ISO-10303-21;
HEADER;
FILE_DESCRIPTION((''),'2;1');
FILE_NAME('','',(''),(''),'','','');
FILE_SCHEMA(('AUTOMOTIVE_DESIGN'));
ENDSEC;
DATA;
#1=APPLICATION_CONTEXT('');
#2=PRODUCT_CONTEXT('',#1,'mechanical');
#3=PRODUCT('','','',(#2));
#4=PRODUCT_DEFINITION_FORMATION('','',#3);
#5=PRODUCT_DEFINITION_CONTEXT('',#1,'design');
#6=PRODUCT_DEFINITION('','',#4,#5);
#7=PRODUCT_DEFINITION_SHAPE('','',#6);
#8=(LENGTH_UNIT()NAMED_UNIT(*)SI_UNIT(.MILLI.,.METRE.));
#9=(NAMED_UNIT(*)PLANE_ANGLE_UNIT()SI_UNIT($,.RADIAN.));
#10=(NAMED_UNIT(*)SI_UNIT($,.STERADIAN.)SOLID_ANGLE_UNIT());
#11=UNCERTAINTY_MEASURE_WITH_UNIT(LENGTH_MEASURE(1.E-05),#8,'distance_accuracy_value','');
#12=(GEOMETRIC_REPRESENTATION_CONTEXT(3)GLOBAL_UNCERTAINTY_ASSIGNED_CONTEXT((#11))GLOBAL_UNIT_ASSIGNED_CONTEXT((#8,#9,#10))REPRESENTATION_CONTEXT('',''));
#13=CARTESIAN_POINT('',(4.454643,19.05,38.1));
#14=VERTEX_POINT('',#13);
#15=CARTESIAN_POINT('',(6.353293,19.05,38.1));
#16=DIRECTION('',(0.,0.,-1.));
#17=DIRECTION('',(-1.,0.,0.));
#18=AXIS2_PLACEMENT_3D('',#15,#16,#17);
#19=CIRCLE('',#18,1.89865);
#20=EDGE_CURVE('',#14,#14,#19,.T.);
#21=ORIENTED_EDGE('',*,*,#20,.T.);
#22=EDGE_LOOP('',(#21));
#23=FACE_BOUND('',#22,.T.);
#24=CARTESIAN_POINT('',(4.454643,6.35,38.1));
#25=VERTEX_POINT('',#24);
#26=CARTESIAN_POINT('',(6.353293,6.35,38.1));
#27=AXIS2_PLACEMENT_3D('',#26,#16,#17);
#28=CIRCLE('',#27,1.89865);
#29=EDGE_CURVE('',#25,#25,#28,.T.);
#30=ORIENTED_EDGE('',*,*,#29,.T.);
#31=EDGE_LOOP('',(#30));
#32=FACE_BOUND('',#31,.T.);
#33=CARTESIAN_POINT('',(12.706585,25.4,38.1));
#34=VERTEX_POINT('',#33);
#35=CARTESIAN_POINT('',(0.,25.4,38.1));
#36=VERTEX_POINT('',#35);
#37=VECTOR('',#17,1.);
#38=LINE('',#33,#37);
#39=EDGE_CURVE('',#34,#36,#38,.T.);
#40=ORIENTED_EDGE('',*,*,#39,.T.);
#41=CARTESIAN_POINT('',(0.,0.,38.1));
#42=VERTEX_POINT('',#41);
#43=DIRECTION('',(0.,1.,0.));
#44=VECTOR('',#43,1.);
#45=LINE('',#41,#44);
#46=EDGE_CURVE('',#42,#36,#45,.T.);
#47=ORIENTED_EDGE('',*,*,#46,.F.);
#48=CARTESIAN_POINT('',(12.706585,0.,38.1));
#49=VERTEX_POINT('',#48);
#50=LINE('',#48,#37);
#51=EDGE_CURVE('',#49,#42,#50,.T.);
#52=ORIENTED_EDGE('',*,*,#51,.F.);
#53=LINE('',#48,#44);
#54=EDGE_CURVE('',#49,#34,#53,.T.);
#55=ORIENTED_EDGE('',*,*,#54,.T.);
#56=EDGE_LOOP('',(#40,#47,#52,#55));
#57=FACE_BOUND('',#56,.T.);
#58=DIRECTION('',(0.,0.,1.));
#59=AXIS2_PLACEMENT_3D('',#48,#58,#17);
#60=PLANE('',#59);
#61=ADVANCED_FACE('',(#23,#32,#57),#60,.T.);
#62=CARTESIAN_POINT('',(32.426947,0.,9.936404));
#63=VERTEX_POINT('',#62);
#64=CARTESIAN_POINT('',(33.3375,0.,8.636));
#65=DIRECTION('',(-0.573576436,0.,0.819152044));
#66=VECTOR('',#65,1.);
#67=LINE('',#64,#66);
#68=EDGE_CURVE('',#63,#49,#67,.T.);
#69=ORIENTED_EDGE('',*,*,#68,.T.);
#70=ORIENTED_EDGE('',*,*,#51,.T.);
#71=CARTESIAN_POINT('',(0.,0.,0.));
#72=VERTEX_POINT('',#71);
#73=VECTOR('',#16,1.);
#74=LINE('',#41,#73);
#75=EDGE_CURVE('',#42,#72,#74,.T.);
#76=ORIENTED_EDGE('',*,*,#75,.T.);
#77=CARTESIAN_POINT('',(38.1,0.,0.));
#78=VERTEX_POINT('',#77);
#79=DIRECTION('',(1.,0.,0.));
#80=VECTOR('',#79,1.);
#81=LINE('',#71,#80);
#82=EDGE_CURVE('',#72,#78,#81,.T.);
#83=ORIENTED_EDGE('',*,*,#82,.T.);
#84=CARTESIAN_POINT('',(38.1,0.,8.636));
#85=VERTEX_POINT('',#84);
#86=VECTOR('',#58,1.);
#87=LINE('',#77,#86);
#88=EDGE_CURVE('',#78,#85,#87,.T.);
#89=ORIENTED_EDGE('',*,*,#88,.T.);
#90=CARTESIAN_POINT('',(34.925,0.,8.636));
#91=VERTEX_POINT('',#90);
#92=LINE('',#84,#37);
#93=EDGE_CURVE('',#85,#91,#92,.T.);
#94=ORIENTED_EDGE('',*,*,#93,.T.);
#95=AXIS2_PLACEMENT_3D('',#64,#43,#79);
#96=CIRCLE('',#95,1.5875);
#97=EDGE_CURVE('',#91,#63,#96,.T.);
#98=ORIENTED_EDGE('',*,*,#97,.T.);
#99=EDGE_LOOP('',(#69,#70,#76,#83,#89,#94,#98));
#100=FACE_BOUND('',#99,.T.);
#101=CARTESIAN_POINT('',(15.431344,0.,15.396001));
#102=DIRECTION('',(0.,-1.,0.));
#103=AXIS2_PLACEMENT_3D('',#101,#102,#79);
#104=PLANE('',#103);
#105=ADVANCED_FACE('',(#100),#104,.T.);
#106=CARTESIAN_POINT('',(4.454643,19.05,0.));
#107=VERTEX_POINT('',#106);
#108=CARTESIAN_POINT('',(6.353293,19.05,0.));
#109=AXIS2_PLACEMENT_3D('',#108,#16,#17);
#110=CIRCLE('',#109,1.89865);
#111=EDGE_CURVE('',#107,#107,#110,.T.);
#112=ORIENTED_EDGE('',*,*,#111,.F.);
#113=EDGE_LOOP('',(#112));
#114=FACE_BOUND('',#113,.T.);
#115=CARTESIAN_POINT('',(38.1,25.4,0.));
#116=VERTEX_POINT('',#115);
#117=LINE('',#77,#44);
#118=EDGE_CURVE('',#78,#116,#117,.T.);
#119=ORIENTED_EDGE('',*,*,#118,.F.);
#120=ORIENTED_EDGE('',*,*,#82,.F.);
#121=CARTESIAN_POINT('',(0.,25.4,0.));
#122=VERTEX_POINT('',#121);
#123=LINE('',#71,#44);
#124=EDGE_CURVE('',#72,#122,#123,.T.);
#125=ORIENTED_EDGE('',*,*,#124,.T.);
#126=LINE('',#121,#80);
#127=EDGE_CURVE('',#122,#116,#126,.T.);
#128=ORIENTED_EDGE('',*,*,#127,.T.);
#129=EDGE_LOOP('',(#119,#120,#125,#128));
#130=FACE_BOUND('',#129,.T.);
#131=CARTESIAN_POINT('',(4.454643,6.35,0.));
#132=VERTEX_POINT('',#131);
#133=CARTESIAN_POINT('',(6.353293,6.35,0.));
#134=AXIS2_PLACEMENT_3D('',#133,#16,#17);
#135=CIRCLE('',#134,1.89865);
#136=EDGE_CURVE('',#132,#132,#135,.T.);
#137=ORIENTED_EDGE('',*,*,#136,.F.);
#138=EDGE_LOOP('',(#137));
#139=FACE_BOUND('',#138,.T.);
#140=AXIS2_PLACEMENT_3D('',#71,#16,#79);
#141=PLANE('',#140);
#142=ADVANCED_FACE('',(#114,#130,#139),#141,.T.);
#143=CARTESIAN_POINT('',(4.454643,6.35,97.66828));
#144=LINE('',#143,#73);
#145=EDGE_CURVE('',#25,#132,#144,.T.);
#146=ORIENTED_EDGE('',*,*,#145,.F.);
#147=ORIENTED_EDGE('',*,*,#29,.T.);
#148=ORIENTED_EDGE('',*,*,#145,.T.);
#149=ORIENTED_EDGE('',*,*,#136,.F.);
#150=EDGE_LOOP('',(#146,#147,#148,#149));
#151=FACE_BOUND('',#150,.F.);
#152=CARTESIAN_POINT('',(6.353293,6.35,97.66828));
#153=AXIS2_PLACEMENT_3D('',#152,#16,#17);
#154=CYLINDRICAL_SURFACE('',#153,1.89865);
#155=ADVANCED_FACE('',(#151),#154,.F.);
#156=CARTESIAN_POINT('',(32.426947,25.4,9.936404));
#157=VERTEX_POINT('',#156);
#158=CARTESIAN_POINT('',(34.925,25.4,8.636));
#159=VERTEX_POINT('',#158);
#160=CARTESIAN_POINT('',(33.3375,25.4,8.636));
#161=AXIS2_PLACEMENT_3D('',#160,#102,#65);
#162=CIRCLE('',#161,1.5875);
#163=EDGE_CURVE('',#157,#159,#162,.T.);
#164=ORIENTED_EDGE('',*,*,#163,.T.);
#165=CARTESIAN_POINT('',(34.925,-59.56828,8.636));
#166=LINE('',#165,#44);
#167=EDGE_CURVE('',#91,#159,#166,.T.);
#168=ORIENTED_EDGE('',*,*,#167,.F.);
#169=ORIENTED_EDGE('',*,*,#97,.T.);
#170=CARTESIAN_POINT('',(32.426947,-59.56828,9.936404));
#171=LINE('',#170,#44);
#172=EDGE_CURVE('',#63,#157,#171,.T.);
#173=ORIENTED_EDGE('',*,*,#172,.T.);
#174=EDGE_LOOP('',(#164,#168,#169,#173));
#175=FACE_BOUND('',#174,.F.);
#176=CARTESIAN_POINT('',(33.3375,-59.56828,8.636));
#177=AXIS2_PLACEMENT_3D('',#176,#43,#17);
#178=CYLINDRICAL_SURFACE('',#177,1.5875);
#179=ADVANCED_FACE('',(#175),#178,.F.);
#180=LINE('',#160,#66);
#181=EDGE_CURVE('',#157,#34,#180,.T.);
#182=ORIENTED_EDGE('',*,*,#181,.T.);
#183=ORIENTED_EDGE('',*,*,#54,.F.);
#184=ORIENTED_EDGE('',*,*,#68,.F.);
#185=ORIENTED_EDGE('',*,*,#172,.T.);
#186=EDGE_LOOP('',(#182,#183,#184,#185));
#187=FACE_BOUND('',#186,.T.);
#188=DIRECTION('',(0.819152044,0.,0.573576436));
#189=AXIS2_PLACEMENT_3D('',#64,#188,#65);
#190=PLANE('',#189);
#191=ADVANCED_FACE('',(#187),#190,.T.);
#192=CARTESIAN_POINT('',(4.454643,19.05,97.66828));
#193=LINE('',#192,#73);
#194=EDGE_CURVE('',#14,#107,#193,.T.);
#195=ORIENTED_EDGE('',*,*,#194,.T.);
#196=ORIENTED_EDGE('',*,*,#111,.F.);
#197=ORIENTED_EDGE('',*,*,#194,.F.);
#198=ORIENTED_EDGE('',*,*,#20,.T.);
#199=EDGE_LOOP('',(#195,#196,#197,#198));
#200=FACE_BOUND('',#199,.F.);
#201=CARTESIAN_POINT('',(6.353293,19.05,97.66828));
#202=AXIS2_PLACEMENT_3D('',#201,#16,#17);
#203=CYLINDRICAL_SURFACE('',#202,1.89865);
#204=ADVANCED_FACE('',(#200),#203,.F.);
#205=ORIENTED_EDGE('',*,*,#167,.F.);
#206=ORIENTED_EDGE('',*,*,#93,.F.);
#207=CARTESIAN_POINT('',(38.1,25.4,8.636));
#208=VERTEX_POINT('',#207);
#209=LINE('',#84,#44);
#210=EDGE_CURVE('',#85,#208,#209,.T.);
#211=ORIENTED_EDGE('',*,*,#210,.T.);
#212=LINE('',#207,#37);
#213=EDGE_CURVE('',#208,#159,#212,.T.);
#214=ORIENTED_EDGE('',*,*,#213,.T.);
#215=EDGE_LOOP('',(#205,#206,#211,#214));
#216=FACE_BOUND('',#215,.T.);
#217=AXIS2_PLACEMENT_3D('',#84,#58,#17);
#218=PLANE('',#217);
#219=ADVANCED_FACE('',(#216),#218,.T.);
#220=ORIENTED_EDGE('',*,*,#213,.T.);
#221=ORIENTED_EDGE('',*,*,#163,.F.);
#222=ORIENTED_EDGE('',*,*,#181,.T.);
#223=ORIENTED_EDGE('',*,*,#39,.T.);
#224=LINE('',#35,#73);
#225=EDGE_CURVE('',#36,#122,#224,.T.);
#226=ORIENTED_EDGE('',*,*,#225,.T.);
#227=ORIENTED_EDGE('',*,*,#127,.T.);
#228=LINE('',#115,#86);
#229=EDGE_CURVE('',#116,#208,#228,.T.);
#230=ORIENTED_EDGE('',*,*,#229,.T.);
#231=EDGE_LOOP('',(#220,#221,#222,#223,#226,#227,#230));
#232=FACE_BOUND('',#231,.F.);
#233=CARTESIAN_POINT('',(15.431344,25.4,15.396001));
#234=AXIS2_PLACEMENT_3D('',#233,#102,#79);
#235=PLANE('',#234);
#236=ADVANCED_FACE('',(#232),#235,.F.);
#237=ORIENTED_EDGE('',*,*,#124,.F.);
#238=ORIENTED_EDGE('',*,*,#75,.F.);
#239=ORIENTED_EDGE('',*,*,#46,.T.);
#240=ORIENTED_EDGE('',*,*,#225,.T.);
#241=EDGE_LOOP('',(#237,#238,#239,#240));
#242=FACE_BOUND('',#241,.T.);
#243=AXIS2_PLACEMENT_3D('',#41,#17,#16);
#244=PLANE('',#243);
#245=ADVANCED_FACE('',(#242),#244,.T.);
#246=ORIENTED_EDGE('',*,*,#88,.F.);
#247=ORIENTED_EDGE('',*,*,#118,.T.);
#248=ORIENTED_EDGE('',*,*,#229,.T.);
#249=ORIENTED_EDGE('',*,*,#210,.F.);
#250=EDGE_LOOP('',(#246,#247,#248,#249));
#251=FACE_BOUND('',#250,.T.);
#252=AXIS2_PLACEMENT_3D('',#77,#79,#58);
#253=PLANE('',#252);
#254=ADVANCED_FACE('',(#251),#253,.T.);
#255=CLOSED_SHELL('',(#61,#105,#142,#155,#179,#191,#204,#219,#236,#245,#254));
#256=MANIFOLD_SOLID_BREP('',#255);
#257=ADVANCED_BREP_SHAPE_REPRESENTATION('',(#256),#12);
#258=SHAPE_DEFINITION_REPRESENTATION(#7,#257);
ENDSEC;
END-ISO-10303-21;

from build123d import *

# Parameters (mm, degrees)
F1_DEPTH = 25.4
F3_D     = 3.7973
F5_D     = 3.175


with BuildPart() as f1:
    # F0 (on Front) → F1 (new body)
    with BuildSketch(Plane.XZ):
        Polygon((0, 38.1), (0, 0), (38.1, 0), (38.1, 8.636), (33.3375, 8.636), (12.7065850942, 38.1), align=None)
    extrude(amount=-F1_DEPTH)

    # F3 (through all)
    with Locations(Plane.XY.offset(38.1)):
        with Locations((6.3532925471, 19.05), (6.3532925471, 6.35)):
            Hole(F3_D / 2)

    # F5 (through all)
    with Locations(Plane.XZ):
        with Locations((33.3375, 8.636)):
            Hole(F5_D / 2)


solid = f1.part
